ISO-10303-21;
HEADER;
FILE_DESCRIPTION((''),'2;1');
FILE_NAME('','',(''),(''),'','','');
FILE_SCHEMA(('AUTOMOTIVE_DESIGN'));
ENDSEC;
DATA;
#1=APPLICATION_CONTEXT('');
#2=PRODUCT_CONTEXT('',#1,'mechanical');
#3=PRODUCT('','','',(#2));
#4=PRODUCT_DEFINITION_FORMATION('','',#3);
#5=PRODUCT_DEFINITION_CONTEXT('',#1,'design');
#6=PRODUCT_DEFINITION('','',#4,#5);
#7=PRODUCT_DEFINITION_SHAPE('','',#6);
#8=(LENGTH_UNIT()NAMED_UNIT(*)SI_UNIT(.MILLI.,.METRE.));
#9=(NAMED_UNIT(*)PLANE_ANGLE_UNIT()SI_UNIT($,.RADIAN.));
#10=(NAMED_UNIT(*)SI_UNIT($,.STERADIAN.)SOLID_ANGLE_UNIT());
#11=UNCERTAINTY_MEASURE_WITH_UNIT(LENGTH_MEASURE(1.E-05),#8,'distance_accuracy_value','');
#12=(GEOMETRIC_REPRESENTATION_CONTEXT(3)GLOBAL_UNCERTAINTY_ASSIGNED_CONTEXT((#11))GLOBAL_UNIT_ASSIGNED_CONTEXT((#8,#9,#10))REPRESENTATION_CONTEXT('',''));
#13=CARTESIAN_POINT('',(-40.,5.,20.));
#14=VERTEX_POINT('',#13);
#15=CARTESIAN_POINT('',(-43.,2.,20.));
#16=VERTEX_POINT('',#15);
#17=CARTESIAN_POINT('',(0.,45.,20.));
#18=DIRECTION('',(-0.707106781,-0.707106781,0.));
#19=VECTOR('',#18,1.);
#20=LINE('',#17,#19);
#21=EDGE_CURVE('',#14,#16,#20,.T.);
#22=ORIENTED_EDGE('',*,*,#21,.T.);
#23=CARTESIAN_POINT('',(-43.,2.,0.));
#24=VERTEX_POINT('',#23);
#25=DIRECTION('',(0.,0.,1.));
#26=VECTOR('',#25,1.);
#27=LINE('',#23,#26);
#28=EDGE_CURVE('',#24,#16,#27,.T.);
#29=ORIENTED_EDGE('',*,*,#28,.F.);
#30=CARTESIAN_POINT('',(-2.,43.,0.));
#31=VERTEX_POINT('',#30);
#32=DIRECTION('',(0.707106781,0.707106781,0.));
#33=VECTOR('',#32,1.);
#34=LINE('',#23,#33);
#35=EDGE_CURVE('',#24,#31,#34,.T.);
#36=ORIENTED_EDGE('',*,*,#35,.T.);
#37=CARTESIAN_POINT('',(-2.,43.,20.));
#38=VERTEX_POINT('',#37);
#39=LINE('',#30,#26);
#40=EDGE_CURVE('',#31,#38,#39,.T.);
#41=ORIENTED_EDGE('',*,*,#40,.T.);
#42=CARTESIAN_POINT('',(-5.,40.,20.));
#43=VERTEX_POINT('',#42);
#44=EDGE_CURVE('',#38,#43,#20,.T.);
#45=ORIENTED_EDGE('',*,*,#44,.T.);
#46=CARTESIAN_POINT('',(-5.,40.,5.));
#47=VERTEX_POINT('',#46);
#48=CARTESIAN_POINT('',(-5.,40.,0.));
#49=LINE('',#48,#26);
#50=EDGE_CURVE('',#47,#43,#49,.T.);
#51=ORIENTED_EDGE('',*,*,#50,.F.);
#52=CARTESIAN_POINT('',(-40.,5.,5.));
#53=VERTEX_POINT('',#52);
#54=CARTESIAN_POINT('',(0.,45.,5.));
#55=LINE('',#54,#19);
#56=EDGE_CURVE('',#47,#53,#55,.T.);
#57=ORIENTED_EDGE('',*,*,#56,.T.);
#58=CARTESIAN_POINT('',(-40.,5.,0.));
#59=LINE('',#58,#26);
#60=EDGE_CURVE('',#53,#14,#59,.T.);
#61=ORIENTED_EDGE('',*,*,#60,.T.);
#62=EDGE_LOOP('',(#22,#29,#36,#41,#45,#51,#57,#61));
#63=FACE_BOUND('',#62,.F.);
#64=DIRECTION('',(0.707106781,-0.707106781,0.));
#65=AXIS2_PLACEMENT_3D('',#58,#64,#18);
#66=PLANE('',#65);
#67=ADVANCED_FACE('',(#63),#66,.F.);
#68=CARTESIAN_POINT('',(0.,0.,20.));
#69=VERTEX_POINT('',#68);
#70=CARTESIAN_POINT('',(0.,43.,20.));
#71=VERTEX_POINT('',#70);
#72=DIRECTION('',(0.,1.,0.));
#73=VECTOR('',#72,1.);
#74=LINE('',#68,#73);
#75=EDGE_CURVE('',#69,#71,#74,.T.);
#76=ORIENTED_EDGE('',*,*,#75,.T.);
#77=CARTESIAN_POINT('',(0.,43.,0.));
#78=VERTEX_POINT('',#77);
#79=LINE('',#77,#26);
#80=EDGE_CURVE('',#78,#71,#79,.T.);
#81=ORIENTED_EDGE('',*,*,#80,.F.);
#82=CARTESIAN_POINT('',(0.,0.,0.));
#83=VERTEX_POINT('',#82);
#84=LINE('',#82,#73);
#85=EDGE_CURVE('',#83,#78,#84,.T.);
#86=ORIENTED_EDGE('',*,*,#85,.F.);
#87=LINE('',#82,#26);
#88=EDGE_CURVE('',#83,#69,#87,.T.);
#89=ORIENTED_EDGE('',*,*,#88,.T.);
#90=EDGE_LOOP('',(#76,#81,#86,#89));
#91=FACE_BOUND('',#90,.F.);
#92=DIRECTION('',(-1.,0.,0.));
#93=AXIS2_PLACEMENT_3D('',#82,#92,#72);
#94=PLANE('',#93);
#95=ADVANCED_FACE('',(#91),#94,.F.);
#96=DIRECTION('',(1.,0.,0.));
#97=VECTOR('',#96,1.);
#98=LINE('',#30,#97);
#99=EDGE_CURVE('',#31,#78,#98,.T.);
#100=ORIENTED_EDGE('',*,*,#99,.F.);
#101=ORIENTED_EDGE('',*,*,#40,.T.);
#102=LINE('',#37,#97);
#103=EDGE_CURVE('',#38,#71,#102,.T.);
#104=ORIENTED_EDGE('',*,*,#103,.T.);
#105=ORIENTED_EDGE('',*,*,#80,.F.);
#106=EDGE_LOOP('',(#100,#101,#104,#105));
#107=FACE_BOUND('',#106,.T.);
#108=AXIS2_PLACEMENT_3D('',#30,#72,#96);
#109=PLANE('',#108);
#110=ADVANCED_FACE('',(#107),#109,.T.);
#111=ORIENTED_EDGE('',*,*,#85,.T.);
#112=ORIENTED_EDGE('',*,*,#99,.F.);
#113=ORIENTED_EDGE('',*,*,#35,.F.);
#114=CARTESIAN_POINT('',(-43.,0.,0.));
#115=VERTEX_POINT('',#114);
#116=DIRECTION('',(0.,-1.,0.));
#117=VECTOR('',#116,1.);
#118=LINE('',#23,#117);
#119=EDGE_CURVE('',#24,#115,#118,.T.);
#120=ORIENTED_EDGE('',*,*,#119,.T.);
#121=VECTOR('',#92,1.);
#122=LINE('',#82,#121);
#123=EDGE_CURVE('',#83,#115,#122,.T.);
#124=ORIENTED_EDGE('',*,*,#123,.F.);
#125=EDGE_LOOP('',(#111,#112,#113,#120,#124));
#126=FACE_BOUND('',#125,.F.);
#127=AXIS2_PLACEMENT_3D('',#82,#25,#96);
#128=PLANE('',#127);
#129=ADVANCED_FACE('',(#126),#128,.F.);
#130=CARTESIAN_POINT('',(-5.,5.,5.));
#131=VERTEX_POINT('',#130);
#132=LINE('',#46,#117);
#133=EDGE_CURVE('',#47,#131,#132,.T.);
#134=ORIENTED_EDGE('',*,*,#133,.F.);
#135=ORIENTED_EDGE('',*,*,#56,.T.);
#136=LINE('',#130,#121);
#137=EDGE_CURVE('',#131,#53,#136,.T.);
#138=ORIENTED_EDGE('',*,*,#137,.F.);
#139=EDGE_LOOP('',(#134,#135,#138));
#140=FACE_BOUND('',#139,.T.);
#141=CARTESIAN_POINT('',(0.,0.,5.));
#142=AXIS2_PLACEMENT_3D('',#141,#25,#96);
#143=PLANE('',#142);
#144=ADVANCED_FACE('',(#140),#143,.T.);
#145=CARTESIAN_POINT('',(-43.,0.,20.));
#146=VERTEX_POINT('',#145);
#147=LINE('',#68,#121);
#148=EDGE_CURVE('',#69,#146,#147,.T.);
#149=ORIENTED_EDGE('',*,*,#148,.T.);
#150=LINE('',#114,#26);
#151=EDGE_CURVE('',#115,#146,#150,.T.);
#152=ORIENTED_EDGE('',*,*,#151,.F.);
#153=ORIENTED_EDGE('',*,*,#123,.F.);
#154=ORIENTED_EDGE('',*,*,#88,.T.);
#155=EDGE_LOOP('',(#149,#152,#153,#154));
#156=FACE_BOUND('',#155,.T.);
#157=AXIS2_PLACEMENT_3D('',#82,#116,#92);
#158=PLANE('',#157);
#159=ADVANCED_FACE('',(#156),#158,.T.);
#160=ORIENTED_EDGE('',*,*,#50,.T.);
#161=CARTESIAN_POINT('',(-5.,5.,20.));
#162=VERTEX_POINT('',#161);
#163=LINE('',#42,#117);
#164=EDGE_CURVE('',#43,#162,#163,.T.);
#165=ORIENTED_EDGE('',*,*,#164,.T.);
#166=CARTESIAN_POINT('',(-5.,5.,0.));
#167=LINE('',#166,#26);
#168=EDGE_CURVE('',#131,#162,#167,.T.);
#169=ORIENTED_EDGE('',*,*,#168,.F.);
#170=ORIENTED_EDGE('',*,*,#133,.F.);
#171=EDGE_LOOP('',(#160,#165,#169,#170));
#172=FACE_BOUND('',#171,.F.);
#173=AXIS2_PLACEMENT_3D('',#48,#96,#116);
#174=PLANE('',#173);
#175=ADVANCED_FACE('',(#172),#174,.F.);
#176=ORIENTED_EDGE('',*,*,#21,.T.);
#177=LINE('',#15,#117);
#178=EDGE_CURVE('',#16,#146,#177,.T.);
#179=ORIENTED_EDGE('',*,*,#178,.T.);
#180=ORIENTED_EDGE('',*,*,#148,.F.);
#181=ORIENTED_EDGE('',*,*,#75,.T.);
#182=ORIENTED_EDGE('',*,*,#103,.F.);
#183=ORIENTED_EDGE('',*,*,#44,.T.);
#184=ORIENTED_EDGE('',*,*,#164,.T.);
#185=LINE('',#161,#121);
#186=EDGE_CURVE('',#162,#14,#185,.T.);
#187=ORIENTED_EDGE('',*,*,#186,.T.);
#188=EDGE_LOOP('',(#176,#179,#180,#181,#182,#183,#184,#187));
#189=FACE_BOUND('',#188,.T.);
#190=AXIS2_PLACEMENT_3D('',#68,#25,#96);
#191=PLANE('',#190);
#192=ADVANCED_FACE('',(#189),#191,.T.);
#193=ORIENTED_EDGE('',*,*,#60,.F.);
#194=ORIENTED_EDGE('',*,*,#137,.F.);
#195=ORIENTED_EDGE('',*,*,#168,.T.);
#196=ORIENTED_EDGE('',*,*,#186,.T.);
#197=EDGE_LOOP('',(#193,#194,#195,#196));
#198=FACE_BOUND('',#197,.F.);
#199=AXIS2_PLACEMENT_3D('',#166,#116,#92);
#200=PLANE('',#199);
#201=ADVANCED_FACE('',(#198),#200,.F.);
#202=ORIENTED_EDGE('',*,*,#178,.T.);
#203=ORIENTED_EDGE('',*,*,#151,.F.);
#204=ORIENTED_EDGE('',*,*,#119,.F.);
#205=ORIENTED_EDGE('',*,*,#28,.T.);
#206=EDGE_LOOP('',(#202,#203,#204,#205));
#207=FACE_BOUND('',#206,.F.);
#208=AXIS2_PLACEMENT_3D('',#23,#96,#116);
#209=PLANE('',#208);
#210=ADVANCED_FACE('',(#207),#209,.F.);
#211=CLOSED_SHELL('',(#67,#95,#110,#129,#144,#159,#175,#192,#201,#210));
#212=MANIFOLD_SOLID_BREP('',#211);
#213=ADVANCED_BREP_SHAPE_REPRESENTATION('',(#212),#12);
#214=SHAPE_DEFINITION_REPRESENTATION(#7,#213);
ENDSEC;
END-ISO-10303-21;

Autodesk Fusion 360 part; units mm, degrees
sketch "Sketch1" plane through (0, 0, 0) normal (0, 0, 1) x (1, 0, 0)
  line L0 (0, 0) -> (-45, 0)
  line L1 (0, 0) -> (0, 45)
  line L2 (0, 45) -> (-45, 0)
  line L3 (-5, 40) -> (-5, 5)
  line L4 (-5, 5) -> (-40, 5)
  line L5 (-2, 43) -> (0, 43)
  line L6 (-43, 2) -> (-43, 0)
  dimension "d1" = 45
  dimension "d2" = 45
  dimension "d5" = 5
  dimension "d6" = 5
  dimension "d7" = 2
  dimension "d8" = 2
extrude "Extrude2" add sketch "Sketch1" along normal blind 20 contours L0 L1 L2 L3 L4 L5 L6
extrude "Extrude3" add sketch "Sketch1" along normal blind 5 contours L2 L3 L4
